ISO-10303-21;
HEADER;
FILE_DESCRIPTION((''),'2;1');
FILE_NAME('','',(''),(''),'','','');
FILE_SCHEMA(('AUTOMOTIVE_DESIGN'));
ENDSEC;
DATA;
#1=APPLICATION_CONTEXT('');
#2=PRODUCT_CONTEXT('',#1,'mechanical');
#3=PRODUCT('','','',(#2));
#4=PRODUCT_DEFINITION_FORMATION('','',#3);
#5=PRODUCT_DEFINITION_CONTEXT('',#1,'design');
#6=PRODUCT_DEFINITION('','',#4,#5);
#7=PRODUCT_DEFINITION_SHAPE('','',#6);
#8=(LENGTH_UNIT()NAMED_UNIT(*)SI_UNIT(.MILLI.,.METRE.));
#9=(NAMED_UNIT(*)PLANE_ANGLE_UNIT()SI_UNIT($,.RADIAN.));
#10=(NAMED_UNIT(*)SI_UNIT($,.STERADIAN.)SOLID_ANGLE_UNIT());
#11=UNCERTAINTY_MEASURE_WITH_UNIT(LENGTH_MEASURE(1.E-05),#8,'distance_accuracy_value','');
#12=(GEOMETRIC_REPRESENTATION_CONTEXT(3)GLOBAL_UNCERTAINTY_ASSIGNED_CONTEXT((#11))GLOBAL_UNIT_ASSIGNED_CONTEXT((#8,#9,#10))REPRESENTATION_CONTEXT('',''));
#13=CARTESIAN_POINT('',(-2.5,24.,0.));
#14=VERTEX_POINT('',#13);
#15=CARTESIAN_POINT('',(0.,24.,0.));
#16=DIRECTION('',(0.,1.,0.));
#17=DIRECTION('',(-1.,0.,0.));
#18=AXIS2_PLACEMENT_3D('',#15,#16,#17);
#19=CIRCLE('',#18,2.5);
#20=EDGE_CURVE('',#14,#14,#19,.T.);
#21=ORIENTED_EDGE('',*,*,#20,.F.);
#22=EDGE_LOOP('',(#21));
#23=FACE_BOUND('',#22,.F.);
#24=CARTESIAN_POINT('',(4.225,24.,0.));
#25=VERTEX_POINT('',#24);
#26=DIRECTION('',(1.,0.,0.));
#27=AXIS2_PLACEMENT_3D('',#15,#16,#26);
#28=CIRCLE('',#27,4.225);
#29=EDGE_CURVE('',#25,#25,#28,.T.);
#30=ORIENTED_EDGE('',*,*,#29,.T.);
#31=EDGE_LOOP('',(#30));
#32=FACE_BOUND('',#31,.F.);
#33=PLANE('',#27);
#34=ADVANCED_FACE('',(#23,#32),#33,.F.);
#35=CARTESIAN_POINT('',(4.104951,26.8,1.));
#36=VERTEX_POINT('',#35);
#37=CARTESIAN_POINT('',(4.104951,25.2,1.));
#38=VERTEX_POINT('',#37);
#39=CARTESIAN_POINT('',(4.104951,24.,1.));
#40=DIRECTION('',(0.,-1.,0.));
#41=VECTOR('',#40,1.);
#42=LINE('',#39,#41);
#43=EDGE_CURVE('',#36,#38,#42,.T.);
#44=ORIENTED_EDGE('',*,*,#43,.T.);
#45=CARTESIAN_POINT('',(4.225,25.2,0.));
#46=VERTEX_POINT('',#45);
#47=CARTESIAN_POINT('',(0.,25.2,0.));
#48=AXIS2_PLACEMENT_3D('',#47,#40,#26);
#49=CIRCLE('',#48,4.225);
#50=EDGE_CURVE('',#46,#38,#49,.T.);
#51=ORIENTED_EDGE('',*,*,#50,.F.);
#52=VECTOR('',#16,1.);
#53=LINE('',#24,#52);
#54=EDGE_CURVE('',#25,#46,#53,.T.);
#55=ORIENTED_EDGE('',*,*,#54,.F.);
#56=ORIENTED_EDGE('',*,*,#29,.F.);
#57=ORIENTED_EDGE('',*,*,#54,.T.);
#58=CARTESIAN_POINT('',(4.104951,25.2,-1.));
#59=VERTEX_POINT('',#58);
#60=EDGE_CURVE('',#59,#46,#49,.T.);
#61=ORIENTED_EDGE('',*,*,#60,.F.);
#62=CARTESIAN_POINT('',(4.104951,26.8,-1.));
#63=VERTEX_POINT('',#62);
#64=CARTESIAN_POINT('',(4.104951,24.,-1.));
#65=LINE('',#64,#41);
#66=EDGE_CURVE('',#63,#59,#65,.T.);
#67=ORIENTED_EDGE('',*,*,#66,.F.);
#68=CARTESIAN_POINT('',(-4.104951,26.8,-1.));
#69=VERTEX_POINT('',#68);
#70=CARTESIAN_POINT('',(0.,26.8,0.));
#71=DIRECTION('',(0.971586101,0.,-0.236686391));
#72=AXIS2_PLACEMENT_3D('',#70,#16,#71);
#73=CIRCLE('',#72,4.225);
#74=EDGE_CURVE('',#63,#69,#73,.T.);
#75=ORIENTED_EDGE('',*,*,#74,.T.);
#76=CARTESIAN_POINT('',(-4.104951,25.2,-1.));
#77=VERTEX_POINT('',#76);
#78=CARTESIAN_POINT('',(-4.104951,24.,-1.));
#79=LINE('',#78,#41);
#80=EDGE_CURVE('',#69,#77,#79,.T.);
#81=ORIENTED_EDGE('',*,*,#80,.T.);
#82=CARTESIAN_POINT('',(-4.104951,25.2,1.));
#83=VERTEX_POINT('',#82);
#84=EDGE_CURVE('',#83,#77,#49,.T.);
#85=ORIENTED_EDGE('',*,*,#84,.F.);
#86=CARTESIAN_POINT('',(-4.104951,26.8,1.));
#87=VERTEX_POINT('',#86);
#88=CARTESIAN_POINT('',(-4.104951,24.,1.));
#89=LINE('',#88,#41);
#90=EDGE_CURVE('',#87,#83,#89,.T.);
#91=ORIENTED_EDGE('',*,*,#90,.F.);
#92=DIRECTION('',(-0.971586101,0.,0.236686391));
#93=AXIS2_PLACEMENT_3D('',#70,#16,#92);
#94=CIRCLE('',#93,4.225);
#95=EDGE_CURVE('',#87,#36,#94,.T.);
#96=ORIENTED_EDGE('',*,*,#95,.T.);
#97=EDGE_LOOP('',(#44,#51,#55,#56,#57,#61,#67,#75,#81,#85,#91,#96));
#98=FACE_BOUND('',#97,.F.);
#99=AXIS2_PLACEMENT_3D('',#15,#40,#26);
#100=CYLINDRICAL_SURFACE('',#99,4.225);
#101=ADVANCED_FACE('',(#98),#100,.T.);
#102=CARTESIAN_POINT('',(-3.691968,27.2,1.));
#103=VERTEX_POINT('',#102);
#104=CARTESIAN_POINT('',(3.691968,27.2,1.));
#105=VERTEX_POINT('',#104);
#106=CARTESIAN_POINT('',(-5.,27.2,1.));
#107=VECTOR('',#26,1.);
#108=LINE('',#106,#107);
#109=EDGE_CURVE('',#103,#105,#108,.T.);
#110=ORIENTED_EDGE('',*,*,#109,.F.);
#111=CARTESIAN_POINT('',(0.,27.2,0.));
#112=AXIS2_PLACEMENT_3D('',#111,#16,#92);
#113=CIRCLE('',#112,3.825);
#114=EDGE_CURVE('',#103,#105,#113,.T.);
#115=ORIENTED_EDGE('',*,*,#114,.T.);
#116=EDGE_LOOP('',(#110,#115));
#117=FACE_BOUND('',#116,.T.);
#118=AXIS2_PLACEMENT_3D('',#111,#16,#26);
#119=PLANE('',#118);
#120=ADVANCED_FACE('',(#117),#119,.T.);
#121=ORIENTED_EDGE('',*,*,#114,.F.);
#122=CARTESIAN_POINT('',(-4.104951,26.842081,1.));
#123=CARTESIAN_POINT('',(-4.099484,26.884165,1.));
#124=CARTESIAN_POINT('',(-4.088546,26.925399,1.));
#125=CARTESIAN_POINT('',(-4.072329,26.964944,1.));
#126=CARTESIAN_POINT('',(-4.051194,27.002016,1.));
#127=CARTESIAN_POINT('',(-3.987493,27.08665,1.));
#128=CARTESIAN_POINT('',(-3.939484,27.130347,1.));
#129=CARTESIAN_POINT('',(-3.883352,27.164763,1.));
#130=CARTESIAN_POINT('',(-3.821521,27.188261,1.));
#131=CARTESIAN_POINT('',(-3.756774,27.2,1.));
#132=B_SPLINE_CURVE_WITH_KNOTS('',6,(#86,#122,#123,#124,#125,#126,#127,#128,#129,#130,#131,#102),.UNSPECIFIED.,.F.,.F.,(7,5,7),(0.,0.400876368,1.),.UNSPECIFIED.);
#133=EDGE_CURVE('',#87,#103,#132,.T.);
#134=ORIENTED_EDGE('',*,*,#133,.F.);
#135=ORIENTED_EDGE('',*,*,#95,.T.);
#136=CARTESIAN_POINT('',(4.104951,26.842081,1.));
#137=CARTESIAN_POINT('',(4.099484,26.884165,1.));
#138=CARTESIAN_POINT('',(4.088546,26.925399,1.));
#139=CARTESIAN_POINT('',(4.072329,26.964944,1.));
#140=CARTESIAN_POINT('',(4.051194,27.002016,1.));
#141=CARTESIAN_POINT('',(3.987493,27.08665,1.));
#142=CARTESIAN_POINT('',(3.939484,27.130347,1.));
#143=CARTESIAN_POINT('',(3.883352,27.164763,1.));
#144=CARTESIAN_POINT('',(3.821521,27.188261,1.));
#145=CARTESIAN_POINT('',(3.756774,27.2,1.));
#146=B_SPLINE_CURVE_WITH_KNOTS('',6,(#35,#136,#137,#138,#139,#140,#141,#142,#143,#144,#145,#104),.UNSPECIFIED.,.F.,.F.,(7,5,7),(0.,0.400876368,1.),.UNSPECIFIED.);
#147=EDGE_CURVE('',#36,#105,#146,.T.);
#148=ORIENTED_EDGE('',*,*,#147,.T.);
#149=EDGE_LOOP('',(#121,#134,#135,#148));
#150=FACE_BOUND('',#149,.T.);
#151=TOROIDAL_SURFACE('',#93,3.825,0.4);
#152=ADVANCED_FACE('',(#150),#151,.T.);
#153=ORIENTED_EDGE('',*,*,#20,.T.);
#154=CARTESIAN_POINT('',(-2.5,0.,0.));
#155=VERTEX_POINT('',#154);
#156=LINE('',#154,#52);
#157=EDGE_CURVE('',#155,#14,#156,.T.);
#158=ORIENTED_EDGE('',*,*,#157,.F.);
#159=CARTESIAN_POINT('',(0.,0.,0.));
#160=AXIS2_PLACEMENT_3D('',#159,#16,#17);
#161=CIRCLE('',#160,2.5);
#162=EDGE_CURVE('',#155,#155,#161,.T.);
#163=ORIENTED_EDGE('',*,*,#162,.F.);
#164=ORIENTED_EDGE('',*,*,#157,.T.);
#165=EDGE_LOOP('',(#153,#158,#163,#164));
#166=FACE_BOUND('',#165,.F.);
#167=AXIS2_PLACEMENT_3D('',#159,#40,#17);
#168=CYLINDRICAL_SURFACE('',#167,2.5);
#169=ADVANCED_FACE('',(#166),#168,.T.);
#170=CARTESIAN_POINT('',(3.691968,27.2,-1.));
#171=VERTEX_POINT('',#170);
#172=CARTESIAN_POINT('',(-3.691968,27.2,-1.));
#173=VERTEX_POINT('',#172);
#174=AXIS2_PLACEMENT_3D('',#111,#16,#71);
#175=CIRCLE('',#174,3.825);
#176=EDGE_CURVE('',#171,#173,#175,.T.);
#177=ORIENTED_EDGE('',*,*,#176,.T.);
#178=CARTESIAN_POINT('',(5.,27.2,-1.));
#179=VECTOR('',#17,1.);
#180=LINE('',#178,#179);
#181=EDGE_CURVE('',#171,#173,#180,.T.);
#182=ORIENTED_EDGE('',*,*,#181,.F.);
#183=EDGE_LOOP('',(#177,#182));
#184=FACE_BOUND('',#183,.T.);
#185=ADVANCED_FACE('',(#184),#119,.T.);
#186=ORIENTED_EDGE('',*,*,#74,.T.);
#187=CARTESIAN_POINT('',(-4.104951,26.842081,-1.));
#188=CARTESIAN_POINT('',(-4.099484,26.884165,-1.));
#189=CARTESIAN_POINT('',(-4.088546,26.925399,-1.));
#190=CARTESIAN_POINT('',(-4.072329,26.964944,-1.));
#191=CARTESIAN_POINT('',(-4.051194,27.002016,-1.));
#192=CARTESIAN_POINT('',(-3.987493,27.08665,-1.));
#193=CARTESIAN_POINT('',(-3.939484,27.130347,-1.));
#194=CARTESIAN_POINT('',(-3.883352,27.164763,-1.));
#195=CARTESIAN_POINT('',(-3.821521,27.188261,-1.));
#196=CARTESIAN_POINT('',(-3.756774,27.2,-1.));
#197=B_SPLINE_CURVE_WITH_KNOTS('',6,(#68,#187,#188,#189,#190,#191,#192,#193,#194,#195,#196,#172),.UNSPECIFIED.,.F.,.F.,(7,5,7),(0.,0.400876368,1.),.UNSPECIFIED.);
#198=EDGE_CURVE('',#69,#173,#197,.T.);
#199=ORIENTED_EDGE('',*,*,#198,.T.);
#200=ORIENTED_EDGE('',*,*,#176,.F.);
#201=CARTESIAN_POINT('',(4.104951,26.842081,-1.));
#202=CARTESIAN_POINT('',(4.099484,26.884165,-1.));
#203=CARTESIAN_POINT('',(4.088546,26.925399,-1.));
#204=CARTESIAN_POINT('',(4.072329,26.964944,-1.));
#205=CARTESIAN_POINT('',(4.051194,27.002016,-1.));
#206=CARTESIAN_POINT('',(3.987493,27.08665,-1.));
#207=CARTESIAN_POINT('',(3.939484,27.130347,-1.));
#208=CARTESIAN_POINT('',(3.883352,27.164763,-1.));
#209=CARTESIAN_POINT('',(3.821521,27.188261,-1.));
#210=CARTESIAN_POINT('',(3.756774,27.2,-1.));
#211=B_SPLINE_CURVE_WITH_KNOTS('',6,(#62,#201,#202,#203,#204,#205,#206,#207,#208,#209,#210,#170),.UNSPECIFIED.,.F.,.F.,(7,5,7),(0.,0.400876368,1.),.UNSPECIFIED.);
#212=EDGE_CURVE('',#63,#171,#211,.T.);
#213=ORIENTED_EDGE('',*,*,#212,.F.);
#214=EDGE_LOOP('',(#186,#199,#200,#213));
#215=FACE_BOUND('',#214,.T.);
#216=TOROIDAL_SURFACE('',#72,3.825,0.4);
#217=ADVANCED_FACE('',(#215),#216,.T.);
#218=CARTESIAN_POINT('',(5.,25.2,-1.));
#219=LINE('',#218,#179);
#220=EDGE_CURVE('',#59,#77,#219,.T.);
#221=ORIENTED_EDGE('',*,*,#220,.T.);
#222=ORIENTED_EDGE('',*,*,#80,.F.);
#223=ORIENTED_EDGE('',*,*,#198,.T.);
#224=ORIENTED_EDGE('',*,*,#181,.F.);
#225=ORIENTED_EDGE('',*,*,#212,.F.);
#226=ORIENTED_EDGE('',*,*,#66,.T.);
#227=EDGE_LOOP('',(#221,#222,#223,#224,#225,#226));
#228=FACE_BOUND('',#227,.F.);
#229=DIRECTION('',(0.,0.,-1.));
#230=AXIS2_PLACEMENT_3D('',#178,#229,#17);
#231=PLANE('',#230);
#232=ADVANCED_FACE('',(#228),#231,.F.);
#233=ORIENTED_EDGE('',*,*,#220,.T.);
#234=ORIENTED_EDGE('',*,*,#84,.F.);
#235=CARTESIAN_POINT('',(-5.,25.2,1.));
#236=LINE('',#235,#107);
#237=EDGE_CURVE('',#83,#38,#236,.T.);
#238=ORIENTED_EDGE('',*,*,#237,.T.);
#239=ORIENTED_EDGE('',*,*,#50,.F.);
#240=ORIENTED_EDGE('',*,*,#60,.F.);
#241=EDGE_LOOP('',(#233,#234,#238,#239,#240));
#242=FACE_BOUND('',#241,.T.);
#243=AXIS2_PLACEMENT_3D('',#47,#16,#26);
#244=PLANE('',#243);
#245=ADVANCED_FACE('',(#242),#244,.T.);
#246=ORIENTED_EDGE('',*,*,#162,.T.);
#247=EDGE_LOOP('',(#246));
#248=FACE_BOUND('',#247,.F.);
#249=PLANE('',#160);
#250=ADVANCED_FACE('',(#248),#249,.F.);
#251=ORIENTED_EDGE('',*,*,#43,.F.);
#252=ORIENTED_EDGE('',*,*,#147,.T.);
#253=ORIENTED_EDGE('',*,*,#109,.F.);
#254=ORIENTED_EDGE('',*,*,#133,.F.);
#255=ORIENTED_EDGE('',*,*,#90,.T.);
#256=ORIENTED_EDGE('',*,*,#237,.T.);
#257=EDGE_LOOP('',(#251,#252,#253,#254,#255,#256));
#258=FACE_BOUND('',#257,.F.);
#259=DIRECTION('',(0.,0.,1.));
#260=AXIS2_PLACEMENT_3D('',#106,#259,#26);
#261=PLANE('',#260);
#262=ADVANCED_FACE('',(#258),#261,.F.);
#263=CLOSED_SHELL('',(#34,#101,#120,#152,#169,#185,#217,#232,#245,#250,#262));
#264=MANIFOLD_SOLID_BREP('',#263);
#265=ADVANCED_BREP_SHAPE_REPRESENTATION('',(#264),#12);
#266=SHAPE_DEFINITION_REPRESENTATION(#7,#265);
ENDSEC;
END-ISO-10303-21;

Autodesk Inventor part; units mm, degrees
ref_plane "YZ Plane" through (0, 0, 0) normal (1, 0, 0) x (0, 1, 0)
ref_plane "XZ Plane" through (0, 0, 0) normal (0, 1, 0) x (-1, 0, 0)
ref_plane "XY Plane" through (0, 0, 0) normal (0, 0, 1) x (1, 0, 0)
sketch "Sketch1" plane through (0, 0, 0) normal (0, 1, 0) x (-1, 0, 0)
  circle A0 centre (0, 0) radius 2.5
  dimension "d0" = 5
extrude "Extrusion1" add sketch "Sketch1" along normal blind 24
sketch "Sketch2" plane through (0, 24, 0) normal (0, 1, 0) x (1, 0, 0)
  circle A0 centre (0, 0) radius 4.225
  dimension "d3" = 8.45
extrude "Extrusion2" add sketch "Sketch2" along normal blind 3.2
sketch "Sketch3" plane through (0, 27.2, 0) normal (0, 1, 0) x (1, 0, 0)
  line L0 (-5, -1) -> (5, -1)
  line L1 (5, -1) -> (5, 1)
  line L2 (5, 1) -> (-5, 1)
  line L3 (-5, 1) -> (-5, -1)
  point P0 (0, 0)
  dimension "d6" = 10
  dimension "d7" = 2
  dimension "d8" = 5
  dimension "d9" = 1
extrude "Extrusion3" cut sketch "Sketch3" against normal blind 2
fillet "Fillet1" radius 0.4 2 edges at (0, 27.2, 4.225) (0, 27.2, -4.225)
properties part number "machine_screw_5_x_24_mm"
